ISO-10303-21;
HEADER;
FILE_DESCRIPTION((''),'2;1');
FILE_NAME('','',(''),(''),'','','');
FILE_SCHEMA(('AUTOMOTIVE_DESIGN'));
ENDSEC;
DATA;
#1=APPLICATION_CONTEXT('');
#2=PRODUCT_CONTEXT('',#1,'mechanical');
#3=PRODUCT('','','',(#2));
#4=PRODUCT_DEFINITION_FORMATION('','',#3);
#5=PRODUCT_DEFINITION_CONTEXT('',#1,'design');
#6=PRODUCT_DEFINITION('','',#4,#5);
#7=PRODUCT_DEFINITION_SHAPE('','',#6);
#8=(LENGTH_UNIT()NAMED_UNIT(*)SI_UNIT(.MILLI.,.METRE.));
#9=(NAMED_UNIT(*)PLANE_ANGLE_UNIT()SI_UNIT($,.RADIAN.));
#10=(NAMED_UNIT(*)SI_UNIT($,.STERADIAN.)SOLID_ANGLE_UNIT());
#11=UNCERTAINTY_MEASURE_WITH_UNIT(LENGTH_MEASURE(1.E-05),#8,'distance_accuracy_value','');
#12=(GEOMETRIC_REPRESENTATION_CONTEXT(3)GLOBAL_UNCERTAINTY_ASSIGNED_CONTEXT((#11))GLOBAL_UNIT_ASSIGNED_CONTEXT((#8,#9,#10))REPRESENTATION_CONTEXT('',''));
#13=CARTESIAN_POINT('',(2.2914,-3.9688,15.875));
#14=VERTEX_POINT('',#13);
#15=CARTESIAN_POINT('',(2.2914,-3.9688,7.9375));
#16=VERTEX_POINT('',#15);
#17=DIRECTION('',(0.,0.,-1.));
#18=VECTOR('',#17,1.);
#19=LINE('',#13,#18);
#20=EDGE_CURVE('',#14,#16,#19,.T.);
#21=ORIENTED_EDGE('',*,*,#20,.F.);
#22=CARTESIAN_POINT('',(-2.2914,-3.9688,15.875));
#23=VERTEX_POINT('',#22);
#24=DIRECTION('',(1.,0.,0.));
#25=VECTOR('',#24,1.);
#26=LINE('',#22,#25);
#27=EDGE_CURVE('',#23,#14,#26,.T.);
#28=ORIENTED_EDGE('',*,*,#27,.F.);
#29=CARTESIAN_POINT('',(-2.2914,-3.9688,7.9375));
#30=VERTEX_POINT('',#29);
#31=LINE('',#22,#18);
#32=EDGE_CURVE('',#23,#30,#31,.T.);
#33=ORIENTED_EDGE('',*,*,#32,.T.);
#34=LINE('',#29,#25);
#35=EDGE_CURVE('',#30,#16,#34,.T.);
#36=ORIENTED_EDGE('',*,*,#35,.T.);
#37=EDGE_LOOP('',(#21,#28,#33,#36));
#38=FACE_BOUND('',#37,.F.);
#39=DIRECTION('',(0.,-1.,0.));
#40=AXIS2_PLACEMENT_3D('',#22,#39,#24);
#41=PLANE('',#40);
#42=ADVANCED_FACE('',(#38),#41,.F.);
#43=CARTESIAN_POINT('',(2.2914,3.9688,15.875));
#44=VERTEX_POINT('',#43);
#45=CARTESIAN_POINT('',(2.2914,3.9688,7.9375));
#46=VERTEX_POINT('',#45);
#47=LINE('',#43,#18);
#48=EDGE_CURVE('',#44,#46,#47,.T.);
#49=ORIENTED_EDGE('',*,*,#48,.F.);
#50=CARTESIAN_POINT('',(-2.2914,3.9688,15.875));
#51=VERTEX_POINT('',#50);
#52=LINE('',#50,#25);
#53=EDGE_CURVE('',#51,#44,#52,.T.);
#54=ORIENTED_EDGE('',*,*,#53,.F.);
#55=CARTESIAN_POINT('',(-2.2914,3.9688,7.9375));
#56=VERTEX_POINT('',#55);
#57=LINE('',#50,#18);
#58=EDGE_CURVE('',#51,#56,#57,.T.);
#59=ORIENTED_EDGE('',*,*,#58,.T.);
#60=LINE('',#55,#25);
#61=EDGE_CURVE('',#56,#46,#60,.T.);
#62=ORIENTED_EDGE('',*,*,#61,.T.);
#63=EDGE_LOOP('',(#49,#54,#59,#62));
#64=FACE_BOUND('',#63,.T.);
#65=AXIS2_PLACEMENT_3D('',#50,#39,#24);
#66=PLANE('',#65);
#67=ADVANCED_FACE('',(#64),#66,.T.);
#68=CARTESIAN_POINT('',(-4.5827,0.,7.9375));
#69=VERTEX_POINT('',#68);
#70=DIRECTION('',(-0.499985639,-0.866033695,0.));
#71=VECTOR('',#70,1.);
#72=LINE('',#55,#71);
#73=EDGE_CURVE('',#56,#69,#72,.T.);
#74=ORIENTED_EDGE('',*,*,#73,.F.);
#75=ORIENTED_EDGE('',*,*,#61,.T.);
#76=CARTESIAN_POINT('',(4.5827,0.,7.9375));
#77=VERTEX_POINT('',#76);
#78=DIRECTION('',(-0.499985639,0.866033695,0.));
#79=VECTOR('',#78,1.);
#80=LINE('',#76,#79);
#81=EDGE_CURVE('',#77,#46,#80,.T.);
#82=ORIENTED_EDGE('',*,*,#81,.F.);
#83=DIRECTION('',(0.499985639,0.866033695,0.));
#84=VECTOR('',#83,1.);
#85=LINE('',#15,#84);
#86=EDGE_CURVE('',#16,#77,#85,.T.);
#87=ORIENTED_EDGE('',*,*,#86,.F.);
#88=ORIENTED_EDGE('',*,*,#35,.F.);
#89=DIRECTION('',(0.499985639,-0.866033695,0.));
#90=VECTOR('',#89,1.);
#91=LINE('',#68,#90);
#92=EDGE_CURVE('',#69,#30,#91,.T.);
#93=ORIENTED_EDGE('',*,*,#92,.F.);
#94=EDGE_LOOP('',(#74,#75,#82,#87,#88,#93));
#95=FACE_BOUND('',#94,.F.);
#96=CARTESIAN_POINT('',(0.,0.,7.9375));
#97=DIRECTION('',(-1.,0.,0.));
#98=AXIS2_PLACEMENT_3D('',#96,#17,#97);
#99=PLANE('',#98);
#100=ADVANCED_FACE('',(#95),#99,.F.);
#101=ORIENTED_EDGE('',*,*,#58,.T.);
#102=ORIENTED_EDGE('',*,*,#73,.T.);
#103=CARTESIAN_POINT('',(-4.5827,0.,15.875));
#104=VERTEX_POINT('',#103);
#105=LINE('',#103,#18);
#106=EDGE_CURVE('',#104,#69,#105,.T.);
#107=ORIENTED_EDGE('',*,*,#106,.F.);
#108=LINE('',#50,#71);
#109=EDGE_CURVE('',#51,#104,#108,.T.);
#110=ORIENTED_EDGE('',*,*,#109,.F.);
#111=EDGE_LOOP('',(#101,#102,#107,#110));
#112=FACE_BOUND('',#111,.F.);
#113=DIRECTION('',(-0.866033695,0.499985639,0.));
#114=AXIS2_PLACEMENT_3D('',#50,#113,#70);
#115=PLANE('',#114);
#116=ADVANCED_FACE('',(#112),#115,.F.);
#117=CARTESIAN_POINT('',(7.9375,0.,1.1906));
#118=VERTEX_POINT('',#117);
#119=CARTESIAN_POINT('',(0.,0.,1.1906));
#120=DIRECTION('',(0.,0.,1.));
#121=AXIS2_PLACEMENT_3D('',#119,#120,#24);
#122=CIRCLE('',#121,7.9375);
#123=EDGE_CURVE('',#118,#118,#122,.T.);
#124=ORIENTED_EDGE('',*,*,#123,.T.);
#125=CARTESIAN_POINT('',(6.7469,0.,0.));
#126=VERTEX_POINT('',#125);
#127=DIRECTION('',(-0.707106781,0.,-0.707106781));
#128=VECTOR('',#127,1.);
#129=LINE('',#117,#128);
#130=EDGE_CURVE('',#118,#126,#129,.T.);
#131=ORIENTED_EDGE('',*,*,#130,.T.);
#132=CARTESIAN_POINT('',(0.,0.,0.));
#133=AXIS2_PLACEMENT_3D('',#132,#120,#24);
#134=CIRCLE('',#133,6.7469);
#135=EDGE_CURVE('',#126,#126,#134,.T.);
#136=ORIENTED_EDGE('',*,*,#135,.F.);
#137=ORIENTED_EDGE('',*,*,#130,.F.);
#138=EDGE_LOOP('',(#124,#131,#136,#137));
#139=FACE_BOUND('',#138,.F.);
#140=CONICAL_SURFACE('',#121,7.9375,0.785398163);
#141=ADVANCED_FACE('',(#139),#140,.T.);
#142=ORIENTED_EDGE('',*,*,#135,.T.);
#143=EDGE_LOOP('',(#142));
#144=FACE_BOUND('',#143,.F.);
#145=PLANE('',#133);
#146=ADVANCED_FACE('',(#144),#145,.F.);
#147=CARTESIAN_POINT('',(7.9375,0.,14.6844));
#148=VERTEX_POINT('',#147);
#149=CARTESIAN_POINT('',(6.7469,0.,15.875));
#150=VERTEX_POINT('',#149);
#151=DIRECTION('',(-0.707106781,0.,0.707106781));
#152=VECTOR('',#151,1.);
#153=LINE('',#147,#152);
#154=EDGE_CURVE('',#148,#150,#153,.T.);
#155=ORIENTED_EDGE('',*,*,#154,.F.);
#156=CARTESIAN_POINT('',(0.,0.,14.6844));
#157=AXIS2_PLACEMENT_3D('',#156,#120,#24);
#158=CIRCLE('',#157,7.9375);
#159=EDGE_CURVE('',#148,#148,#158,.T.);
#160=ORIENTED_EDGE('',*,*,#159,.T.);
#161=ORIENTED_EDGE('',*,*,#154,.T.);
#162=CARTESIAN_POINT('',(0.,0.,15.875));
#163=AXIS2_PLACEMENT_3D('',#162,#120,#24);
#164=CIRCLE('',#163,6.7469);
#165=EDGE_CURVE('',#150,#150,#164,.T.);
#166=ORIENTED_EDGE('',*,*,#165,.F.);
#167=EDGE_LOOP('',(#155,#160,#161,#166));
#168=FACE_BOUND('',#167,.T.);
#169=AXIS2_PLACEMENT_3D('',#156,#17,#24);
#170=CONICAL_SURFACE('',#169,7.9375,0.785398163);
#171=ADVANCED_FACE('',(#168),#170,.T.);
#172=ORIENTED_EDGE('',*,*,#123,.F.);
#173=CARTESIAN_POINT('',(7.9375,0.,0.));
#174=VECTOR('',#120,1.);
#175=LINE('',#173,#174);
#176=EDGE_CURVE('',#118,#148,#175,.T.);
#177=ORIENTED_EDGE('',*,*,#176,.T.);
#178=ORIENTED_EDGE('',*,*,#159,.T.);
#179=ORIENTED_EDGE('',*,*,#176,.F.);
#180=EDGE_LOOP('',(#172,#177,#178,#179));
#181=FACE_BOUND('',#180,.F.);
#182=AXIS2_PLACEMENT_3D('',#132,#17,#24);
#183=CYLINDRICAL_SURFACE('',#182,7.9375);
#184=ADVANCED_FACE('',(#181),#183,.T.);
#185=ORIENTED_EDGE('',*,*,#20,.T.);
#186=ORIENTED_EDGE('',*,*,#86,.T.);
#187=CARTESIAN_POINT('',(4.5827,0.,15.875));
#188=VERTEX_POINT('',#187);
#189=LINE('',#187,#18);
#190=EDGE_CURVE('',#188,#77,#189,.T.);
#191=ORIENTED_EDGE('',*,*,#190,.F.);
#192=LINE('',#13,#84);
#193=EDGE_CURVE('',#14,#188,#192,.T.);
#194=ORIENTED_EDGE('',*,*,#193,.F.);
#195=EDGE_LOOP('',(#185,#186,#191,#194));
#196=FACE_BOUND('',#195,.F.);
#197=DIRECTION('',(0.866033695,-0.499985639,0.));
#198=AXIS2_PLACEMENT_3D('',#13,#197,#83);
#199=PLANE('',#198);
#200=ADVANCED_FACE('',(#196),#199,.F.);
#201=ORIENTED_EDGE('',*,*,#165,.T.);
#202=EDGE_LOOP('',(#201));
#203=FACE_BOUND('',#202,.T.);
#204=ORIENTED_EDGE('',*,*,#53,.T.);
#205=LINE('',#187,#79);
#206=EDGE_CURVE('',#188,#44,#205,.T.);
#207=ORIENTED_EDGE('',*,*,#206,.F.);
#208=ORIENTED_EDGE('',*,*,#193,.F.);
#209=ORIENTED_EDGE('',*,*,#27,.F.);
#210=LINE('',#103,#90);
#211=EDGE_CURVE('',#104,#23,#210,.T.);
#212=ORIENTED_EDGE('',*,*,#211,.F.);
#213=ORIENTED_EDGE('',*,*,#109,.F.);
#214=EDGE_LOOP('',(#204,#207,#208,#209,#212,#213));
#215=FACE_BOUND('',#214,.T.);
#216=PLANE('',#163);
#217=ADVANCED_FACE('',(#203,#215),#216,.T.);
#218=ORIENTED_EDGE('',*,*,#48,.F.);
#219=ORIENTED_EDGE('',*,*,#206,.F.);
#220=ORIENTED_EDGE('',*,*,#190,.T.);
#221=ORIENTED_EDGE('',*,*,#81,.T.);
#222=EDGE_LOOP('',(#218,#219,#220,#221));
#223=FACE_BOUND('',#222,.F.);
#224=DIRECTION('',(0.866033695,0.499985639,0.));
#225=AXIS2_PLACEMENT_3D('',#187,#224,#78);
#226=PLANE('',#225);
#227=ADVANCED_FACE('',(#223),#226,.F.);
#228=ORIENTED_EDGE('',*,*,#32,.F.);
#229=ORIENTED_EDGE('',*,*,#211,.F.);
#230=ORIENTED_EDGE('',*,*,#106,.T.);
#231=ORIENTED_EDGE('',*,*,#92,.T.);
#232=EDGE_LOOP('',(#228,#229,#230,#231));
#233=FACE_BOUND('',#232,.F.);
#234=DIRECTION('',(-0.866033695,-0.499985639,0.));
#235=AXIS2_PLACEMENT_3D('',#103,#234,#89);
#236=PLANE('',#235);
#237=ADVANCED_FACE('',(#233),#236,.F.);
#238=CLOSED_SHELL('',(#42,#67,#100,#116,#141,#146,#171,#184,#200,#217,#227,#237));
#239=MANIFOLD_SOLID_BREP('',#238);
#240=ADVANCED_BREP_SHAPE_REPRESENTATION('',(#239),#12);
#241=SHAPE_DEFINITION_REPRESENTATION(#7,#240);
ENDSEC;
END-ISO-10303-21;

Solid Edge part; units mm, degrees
sketch "Sketch1" plane through (0, 0, 0) normal (0, 0, 1) x (1, 0, 0)
  circle A0 centre (0, 0) radius 7.9375
  dimension "D1" = 15.875
extrude "Protrusion1" add sketch "Sketch1" along normal blind 15.875
chamfer "Chamfer1" distance 1.1906 angle 45 2 edges at (-7.9375, 0, 0) (-7.9375, 0, 15.875)
sketch "Sketch2" plane through (0, 0, 15.875) normal (0, 0, 1) x (1, 0, 0)
  line L0 (-2.2914, 3.9688) -> (2.2914, 3.9688)
  line L1 (4.5827, 0) -> (2.2914, 3.9687)
  line L2 (2.2914, -3.9688) -> (4.5827, 0)
  line L3 (-2.2914, -3.9688) -> (2.2914, -3.9688)
  line L4 (-4.5827, 0) -> (-2.2914, -3.9688)
  line L5 (-2.2914, 3.9687) -> (-4.5827, 0)
  dimension "D1" = 7.9375
extrude "Cutout1" cut sketch "Sketch2" against normal blind 7.9375
properties part number "24100365"
